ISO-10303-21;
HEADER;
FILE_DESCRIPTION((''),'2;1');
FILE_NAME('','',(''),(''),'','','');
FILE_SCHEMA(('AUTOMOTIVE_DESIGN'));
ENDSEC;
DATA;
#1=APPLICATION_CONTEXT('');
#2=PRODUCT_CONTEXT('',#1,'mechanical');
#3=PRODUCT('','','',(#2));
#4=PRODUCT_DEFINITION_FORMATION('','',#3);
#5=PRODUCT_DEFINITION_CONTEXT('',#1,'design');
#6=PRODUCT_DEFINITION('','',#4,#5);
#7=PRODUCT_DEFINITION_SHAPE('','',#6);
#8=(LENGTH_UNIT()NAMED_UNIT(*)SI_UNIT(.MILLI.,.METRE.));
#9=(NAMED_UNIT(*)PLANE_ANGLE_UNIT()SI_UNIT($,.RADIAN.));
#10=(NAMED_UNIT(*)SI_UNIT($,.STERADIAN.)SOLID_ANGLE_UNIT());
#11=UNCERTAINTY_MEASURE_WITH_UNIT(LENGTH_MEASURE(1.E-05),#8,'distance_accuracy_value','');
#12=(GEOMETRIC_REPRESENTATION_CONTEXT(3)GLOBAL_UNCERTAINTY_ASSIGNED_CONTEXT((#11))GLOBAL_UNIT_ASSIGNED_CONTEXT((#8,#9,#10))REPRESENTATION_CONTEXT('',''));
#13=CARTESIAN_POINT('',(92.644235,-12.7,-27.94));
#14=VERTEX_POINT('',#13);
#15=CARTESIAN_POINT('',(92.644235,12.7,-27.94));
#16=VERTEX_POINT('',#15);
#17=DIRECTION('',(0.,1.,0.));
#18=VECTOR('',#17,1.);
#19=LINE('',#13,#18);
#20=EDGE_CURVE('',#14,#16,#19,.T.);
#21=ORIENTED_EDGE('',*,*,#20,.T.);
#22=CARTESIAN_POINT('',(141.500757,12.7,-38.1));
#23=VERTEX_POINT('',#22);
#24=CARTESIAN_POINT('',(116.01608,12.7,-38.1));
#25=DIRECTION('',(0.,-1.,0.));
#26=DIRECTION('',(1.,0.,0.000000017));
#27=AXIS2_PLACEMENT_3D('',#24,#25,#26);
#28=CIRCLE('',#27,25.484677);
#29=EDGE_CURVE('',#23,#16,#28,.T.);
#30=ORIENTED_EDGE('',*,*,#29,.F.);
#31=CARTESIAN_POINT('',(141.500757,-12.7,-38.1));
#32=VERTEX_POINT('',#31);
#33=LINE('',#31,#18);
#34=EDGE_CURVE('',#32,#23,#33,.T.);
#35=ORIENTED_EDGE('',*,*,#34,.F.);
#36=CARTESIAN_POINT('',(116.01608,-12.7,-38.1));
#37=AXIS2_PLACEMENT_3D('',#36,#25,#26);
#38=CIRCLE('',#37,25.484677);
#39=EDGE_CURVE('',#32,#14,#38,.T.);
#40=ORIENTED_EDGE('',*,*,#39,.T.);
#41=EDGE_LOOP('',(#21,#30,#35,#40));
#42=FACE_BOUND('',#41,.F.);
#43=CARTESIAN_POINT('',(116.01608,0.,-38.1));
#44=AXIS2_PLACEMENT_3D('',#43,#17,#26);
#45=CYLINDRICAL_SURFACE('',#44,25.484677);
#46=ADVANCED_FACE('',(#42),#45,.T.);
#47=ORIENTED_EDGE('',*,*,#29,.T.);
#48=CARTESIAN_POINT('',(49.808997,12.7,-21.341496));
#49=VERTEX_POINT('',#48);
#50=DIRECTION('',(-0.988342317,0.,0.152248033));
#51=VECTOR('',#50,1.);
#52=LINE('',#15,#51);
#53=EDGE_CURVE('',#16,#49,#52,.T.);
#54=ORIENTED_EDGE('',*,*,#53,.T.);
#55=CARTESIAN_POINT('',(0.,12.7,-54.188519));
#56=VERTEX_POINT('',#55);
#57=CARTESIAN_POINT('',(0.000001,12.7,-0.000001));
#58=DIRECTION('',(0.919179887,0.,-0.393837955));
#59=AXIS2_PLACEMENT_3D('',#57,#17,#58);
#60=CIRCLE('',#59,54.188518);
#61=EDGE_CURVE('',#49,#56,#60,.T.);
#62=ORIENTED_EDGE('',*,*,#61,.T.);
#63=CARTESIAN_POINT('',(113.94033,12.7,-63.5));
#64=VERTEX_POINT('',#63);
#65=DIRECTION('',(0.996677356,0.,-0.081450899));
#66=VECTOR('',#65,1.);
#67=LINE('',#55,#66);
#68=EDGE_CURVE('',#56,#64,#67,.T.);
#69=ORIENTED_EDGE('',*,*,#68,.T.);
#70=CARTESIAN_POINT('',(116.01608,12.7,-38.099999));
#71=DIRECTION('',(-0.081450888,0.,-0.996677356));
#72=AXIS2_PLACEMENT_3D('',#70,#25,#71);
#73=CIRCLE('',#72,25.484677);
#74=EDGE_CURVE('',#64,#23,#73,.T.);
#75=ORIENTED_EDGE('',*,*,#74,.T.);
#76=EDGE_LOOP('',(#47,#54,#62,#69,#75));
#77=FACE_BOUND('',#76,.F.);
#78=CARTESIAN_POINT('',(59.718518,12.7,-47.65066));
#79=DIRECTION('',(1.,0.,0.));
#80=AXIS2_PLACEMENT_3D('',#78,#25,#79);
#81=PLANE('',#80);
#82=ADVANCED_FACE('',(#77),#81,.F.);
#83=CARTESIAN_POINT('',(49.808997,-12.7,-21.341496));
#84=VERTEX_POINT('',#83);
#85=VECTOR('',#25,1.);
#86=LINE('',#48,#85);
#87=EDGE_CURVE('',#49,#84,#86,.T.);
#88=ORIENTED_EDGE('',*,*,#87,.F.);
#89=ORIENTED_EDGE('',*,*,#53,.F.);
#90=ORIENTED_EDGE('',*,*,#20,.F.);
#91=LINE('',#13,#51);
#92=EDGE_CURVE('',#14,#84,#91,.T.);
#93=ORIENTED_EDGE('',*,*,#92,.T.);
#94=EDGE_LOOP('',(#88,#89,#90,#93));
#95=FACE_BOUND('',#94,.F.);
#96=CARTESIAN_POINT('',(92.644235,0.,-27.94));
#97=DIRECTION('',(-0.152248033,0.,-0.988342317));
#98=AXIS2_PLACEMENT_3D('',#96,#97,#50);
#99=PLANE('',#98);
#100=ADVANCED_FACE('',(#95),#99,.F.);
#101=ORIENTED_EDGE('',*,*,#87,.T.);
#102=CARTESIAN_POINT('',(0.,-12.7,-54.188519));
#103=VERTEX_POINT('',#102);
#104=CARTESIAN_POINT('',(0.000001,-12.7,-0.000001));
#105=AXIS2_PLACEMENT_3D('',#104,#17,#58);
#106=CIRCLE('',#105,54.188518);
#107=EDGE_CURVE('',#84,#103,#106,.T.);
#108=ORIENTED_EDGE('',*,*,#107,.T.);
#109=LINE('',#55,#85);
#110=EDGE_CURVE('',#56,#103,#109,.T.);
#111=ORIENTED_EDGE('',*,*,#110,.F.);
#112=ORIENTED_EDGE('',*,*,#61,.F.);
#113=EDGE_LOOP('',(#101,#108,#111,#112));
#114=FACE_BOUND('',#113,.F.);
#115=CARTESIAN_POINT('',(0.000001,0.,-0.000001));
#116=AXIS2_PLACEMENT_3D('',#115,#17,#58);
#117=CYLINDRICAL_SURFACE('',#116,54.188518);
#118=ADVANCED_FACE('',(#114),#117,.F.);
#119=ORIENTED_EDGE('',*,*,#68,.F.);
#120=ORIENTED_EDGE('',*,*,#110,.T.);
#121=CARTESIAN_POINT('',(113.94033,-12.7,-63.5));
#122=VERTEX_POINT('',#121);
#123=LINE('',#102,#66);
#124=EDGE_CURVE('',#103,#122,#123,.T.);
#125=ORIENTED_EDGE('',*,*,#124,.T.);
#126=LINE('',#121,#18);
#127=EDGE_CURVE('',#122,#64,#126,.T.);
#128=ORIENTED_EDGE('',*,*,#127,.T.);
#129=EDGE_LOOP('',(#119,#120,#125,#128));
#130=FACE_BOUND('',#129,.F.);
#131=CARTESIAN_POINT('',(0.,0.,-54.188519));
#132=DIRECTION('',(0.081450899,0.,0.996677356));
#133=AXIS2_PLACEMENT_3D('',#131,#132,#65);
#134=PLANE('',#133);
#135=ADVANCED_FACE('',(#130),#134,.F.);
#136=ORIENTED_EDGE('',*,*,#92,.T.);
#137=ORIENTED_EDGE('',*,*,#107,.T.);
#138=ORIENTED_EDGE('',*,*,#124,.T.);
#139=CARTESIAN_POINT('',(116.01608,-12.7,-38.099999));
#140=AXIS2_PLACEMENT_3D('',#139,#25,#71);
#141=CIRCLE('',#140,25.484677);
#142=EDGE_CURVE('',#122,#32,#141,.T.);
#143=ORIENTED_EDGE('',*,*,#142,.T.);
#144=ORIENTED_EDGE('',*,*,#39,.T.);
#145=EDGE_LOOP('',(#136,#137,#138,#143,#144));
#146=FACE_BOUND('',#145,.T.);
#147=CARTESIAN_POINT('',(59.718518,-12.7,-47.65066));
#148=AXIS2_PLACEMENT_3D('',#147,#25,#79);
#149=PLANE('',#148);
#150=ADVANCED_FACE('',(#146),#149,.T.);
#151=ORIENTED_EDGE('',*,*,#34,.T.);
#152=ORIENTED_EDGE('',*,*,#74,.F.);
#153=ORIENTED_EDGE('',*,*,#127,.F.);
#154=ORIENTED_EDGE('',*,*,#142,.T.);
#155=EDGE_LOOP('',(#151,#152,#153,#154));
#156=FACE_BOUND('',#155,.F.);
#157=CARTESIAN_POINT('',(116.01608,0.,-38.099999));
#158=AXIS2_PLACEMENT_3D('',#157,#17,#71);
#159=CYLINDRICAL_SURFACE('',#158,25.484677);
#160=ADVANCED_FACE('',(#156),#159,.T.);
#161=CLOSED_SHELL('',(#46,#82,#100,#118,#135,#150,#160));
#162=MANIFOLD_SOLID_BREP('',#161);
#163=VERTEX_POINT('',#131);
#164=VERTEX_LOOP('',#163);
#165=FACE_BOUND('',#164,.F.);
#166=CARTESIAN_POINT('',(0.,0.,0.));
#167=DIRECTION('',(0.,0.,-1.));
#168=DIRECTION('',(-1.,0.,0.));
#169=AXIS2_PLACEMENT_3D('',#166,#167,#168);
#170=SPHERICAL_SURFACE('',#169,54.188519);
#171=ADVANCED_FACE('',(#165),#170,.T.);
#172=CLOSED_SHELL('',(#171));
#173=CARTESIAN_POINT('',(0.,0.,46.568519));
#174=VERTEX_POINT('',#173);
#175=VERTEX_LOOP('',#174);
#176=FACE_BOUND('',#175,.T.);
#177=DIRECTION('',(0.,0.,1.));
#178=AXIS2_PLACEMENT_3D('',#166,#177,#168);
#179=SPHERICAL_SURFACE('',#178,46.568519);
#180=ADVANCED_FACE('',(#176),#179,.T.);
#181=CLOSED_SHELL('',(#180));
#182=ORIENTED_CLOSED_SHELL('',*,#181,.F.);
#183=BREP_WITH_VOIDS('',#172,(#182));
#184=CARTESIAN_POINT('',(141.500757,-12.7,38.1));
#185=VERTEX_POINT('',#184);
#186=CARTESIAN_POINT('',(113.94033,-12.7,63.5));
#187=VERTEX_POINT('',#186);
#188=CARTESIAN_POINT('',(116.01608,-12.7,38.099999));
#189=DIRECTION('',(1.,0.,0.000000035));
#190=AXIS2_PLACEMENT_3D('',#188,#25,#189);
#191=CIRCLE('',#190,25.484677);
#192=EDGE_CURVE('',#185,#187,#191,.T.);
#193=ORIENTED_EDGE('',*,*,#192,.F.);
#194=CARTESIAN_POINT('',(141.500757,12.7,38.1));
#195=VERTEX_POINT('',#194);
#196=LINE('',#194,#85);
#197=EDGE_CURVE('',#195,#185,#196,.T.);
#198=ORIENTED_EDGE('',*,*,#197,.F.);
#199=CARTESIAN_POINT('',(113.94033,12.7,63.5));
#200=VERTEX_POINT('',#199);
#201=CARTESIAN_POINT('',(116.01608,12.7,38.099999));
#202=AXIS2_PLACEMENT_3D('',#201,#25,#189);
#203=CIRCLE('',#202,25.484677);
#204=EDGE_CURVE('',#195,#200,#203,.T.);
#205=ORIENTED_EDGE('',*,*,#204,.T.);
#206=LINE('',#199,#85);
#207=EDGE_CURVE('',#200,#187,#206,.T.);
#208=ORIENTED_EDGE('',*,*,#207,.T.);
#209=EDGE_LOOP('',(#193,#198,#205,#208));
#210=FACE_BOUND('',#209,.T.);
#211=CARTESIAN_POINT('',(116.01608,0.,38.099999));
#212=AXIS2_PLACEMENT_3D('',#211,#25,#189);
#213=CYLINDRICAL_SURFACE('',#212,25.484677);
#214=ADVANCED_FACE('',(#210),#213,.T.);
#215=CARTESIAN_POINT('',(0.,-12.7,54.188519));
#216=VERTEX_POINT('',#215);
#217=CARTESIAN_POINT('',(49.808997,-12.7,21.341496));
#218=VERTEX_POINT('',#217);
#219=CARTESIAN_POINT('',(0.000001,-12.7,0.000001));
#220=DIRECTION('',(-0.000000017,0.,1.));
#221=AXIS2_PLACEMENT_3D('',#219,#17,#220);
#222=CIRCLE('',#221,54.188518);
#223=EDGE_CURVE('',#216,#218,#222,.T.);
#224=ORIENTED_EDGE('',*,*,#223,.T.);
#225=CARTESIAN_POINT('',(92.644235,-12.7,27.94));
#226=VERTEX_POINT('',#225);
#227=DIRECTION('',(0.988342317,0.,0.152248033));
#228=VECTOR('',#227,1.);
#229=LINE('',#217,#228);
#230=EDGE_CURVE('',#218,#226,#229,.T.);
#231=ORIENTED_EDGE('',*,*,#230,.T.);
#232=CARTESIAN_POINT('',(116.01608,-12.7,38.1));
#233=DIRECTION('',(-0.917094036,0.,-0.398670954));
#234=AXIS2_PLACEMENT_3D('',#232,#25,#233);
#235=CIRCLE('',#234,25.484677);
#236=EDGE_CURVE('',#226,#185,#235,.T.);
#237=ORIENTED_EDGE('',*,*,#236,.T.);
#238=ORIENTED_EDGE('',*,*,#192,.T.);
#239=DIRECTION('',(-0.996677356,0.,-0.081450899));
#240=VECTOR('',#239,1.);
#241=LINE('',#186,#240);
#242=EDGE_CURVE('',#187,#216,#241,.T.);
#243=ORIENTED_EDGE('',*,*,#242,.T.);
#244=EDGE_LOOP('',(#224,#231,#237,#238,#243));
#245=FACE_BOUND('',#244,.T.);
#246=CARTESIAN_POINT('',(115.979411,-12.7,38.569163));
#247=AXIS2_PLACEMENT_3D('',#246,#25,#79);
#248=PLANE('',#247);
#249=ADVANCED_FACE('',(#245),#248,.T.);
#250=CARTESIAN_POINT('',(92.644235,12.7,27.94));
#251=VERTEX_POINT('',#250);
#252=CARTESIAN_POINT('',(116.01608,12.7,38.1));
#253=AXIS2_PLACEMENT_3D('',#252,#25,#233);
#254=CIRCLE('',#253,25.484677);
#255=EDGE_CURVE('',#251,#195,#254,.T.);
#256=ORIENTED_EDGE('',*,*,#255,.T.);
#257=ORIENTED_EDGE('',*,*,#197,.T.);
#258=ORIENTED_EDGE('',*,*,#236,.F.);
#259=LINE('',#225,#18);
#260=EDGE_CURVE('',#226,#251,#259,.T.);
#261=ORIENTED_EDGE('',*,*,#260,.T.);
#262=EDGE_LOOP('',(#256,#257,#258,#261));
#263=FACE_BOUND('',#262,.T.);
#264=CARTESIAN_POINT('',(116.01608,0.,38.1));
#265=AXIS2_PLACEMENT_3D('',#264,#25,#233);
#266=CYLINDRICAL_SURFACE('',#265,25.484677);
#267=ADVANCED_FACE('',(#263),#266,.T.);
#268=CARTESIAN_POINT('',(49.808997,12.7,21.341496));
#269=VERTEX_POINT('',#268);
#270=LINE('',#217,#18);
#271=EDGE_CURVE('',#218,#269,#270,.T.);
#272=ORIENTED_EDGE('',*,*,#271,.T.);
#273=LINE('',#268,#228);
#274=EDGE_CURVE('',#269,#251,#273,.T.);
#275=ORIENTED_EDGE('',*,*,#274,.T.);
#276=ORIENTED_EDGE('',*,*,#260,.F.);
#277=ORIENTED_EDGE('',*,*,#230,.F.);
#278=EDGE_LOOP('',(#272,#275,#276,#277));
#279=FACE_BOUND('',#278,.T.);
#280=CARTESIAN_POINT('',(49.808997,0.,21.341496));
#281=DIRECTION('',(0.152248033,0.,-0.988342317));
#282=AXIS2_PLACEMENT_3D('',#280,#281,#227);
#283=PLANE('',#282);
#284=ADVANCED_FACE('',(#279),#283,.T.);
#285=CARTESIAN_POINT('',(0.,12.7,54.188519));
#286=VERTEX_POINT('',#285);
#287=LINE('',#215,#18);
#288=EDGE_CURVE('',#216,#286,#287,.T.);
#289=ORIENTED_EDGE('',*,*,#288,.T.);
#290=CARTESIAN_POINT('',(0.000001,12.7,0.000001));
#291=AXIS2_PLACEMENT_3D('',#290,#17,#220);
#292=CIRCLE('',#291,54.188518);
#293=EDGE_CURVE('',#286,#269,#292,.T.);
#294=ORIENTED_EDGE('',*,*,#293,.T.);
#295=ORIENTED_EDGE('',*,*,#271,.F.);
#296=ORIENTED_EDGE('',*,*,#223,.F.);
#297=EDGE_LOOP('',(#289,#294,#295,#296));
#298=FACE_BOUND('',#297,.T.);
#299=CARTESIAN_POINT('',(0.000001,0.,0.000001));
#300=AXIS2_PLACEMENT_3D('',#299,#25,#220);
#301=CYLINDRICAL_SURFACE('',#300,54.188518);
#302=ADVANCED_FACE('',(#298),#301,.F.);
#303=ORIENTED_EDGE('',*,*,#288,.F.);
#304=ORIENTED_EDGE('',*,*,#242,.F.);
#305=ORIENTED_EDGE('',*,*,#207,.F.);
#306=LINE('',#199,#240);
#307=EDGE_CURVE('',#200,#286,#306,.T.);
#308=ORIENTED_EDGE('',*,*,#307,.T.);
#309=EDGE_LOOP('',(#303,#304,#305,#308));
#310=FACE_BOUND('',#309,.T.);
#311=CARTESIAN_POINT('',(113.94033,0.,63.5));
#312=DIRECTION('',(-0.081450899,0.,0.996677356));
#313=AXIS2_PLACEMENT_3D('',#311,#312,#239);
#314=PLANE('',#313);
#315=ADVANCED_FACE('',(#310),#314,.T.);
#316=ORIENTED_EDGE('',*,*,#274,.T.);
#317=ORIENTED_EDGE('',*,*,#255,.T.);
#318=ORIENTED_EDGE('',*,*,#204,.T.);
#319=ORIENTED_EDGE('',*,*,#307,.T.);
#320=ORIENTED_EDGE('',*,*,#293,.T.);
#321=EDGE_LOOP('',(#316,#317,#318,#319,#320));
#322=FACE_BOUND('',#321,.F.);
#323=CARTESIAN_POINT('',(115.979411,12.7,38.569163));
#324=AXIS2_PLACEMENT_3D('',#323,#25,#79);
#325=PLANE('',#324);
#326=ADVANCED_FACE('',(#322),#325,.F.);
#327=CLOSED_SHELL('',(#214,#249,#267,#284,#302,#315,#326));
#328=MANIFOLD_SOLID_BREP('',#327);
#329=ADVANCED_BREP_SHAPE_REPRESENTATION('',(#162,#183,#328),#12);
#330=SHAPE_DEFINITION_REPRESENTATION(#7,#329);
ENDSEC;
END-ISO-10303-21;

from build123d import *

# Parameters (mm, degrees)
F1_DEPTH = 12.7


with BuildPart() as f1:
    # F0 (on Front) → F1 (new body, symmetric)
    with BuildSketch(Plane.XZ):
        with BuildLine():
            Line((92.644235, -27.94), (49.808997, -21.341496))
            ThreePointArc((49.808997, -21.341496), (29.832294, -45.237483), (0, -54.188519))
            Line((0, -54.188519), (113.94033, -63.5))
            ThreePointArc((113.94033, -63.5), (94.152333, -51.193713), (92.644235, -27.94))
        make_face()
        with BuildLine():
            ThreePointArc((141.500757, -38.1), (121.204762, -13.149122), (92.644235, -27.94))
            ThreePointArc((92.644235, -27.94), (94.152333, -51.193713), (113.94033, -63.5))
            ThreePointArc((113.94033, -63.5), (133.286994, -56.839911), (141.500757, -38.1))
        make_face()
        with BuildLine():
            ThreePointArc((113.94033, 63.5), (94.152333, 51.193713), (92.644235, 27.94))
            ThreePointArc((92.644235, 27.94), (121.204762, 13.149122), (141.500757, 38.1))
            ThreePointArc((141.500757, 38.1), (133.286994, 56.839911), (113.94033, 63.5))
        make_face()
        with BuildLine():
            ThreePointArc((0, 54.188519), (29.832294, 45.237483), (49.808997, 21.341496))
            Line((49.808997, 21.341496), (92.644235, 27.94))
            ThreePointArc((92.644235, 27.94), (94.152333, 51.193713), (113.94033, 63.5))
            Line((113.94033, 63.5), (0, 54.188519))
        make_face()
    extrude(amount=F1_DEPTH, both=True)


with BuildPart() as f2:
    # F0 (on Front) → F2 (revolve)
    with BuildSketch(Plane.XZ):
        with BuildLine():
            Line((0, 46.568519), (0, 54.188519))
            ThreePointArc((0, 54.188519), (-54.188519, 0), (0, -54.188519))
            Line((0, -54.188519), (0, -46.568519))
            ThreePointArc((0, -46.568519), (-46.568519, 0), (0, 46.568519))
        make_face()
    revolve(axis=Axis((0, 0, 0), (0, 0, 1)))


solid = Compound([f1.part, f2.part])
